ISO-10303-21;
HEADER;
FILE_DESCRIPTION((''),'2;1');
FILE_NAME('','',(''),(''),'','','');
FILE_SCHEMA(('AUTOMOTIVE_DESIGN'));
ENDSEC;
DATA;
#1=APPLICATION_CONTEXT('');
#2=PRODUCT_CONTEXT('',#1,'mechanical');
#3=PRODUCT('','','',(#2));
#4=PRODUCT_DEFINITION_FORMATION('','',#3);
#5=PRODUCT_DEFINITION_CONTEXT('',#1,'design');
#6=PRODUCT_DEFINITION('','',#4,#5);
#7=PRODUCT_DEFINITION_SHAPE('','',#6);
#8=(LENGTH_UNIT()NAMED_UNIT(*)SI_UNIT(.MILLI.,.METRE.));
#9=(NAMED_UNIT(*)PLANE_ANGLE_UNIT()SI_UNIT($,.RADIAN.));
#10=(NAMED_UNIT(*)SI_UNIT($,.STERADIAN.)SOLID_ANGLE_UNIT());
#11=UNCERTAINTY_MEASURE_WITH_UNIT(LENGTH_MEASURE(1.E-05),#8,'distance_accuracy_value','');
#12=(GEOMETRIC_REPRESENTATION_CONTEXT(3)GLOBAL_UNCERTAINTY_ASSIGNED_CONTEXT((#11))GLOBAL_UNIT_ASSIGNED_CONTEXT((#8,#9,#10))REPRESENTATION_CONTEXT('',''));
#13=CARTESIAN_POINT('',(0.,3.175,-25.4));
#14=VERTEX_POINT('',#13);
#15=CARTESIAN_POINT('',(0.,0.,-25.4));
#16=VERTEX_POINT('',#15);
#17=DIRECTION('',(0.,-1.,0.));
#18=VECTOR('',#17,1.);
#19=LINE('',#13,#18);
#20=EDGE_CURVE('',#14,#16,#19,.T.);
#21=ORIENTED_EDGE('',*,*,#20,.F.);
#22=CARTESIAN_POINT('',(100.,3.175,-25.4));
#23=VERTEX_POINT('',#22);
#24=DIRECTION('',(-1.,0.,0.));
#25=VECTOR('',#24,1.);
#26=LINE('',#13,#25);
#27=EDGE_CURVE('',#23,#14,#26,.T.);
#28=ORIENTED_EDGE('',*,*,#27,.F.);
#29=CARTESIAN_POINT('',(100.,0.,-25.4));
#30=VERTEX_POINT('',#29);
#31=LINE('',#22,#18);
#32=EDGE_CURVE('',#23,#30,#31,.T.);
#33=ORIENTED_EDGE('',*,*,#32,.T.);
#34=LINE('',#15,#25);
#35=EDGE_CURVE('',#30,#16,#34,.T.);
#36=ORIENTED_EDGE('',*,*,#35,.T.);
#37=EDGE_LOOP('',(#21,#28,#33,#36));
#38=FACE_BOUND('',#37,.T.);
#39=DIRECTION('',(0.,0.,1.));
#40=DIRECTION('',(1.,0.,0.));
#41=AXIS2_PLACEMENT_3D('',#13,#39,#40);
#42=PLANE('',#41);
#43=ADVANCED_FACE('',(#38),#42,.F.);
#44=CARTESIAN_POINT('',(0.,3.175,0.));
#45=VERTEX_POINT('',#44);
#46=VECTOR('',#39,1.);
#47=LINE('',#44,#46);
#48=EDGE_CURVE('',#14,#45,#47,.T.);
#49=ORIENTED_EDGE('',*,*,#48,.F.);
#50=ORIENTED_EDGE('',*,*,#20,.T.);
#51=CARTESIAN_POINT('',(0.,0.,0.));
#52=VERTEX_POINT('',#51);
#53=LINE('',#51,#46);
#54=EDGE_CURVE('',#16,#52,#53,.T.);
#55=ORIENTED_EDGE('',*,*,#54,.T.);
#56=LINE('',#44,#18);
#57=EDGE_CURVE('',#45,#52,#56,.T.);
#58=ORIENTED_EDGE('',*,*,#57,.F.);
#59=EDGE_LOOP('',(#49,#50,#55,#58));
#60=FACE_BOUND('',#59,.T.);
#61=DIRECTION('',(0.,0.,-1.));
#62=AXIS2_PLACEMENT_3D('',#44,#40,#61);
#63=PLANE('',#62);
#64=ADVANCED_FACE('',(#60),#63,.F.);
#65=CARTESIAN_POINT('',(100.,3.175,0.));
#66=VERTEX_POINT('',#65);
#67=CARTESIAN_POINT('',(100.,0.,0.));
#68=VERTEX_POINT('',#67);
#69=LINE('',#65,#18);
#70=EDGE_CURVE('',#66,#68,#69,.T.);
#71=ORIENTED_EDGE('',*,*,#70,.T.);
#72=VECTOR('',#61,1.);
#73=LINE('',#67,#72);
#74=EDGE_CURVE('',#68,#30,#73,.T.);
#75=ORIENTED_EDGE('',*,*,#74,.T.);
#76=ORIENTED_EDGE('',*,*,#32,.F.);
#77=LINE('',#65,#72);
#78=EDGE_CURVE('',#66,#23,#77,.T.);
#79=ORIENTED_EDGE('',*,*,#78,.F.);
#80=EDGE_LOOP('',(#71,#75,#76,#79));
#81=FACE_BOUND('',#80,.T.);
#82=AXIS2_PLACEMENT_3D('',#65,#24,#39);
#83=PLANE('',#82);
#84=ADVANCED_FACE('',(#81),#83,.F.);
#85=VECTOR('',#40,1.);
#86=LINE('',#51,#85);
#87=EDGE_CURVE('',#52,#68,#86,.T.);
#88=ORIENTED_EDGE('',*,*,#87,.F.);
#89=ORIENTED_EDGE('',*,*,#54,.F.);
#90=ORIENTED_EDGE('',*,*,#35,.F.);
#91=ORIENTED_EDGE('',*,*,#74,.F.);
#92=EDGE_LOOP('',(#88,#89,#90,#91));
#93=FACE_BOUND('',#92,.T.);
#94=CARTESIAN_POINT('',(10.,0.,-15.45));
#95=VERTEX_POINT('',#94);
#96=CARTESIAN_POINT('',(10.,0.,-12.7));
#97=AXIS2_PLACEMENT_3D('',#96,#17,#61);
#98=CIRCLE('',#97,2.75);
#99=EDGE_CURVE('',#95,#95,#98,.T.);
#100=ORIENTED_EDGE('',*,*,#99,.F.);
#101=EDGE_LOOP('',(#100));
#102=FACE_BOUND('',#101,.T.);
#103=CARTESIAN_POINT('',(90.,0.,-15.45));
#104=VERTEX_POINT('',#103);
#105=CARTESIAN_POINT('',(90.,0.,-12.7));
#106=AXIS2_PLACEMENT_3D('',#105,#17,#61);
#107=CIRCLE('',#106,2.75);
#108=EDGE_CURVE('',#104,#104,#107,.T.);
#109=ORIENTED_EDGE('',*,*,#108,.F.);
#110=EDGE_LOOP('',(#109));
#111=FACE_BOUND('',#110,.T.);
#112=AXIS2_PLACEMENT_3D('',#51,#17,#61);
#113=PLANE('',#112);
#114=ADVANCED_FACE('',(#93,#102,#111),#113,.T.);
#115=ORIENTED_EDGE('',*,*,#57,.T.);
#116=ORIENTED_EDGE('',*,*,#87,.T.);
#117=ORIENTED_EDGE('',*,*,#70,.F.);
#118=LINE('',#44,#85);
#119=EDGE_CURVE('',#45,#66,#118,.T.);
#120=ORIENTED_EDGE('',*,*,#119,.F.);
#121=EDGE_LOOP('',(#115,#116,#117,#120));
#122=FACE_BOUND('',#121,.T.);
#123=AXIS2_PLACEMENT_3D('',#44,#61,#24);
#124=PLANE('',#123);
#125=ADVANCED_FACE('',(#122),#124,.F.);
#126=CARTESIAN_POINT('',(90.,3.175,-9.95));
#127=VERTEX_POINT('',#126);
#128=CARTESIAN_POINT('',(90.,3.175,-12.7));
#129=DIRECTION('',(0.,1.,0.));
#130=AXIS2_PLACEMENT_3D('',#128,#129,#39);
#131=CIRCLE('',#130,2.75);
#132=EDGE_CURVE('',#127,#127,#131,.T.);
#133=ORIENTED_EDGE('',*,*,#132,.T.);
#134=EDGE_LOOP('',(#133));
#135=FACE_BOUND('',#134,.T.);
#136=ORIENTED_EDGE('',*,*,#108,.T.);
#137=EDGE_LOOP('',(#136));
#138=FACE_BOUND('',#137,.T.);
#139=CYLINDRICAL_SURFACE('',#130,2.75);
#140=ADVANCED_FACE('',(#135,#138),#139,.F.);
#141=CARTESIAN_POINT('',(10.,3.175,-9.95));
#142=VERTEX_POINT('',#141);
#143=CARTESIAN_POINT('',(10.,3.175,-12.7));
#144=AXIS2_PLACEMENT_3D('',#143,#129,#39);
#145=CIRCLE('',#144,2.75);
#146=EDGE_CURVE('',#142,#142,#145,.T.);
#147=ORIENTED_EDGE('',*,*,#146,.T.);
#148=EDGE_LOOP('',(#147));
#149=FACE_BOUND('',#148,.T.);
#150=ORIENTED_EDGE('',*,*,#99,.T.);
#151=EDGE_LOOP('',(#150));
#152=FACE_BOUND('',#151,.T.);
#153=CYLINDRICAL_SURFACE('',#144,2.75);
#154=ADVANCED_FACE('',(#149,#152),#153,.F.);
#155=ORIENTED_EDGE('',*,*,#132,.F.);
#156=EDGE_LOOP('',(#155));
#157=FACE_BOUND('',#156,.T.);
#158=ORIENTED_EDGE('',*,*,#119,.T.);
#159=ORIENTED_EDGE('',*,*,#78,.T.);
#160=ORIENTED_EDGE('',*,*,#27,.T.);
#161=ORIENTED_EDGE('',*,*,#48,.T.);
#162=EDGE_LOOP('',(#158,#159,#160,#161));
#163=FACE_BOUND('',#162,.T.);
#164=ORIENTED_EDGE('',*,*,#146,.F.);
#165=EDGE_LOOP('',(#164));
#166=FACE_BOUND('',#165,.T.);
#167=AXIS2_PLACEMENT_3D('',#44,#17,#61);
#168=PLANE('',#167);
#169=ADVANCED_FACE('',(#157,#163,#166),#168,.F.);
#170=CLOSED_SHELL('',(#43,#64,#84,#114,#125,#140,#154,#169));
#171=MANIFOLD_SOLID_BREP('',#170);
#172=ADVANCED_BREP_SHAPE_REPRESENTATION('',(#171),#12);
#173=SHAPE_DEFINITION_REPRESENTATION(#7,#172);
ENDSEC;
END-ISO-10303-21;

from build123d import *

# Parameters (mm, degrees)
SKETCH1_W                = 100
SKETCH1_H                = 25.4
BOSS_EXTRUDE1_DEPTH      = 3.175
M5_CLEARANCE_HOLE1_D     = 5.5
M5_CLEARANCE_HOLE1_DEPTH = 12.446
M5_CLEARANCE_HOLE1_TIP   = 1.652366702


with BuildPart() as part:
    # Sketch1 → Boss-Extrude1 (new body)
    with BuildSketch(Plane(origin=(0, 0, 0), x_dir=(1, 0, 0), z_dir=(0, 1, 0))):
        with Locations((50, 12.7)):
            Rectangle(SKETCH1_W, SKETCH1_H)
    extrude(amount=BOSS_EXTRUDE1_DEPTH)

    # M5 Clearance Hole1
    with Locations(Plane(origin=(10, 3.175, -12.7), x_dir=(0, 0, 1), z_dir=(0, 1, 0))):
        with Locations((0, 0), (0, 80)):
            Hole(M5_CLEARANCE_HOLE1_D / 2, depth=M5_CLEARANCE_HOLE1_DEPTH)
            with Locations((0, 0, -(M5_CLEARANCE_HOLE1_DEPTH + M5_CLEARANCE_HOLE1_TIP / 2))):  # 118° drill point
                Cone(0, M5_CLEARANCE_HOLE1_D / 2, M5_CLEARANCE_HOLE1_TIP, mode=Mode.SUBTRACT)


solid = part.part
